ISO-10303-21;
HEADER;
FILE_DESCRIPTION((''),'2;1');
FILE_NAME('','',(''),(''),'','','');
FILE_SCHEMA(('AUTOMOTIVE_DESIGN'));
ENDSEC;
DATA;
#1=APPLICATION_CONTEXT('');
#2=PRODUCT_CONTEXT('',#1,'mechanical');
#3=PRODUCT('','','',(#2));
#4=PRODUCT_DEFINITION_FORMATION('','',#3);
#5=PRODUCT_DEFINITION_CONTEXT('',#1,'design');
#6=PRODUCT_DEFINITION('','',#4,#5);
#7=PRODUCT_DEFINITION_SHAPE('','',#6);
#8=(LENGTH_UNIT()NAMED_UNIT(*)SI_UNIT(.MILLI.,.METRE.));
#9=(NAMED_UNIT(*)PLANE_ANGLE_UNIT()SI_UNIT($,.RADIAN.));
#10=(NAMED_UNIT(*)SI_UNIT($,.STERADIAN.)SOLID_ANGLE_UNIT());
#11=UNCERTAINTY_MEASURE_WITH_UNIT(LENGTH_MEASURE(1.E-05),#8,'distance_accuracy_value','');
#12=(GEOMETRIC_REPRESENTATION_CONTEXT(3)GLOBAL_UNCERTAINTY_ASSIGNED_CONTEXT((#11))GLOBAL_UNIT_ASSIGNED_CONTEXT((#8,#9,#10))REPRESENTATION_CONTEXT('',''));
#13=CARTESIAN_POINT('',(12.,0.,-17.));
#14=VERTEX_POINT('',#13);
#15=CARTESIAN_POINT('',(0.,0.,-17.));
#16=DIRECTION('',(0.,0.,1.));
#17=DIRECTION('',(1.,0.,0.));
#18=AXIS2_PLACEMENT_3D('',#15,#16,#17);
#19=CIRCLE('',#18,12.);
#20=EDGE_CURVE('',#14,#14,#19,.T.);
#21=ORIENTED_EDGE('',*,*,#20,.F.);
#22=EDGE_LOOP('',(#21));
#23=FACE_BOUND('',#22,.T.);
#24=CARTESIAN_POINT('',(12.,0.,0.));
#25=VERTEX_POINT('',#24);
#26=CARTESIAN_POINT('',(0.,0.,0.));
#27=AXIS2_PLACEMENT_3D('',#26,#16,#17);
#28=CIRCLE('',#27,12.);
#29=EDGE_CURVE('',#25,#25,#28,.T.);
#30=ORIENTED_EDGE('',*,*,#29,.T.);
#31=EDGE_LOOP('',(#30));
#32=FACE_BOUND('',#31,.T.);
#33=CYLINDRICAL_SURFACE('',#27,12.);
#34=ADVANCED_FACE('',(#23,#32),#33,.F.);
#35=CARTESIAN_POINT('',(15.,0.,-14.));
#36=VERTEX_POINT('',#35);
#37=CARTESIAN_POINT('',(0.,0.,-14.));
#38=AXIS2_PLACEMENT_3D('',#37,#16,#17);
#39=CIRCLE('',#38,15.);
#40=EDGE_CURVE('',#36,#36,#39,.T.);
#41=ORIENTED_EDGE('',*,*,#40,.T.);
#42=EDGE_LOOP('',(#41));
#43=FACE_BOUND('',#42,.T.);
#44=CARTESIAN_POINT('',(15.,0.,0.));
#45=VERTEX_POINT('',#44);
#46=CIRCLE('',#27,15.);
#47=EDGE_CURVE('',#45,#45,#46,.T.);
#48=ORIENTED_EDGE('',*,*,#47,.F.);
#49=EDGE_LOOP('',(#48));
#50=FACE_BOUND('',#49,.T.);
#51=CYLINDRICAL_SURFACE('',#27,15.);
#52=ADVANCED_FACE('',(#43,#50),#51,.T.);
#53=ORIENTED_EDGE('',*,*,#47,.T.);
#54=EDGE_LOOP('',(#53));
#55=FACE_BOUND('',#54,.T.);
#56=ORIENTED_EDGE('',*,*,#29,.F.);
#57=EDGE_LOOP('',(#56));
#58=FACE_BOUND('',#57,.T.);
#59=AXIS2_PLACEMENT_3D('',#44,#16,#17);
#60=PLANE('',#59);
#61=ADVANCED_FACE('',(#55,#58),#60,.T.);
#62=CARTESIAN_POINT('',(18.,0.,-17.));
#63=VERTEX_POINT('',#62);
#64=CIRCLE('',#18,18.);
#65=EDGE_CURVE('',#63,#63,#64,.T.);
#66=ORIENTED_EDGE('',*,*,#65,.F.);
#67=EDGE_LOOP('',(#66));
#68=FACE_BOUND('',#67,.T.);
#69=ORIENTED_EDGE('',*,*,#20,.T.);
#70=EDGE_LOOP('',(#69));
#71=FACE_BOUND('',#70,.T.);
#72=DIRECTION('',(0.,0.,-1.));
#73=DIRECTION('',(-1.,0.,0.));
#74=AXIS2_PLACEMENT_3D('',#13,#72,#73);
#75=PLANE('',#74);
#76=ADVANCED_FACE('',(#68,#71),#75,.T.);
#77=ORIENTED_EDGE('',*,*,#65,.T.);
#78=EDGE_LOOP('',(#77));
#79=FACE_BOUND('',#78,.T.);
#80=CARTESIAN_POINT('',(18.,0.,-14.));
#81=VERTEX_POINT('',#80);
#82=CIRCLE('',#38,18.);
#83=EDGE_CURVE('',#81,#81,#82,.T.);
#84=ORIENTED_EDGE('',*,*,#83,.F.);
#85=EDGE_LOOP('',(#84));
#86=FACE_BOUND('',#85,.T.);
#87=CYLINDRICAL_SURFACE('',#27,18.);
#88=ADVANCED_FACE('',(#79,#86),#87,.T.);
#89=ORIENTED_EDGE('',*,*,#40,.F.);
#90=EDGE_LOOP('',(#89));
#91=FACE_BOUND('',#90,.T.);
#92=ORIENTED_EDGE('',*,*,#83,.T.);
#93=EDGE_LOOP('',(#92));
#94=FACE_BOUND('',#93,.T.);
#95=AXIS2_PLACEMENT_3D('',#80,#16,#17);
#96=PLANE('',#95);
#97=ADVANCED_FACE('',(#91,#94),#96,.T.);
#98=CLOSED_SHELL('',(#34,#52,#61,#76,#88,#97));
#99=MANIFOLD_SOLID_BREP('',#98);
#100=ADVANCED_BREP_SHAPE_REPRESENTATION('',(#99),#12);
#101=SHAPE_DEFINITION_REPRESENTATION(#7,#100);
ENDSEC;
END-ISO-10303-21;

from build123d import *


with BuildPart() as part:
    # Sketch1 → Revolve1 (revolve)
    with BuildSketch(Plane(origin=(0, 0, 0), x_dir=(1, 0, 0), z_dir=(0, 1, 0))):
        Polygon((12, 0), (12, 17), (18, 17), (18, 14), (15, 14), (15, 0), align=None)
    revolve(axis=Axis((0, 0, 0), (0, 0, -1)))


solid = part.part
